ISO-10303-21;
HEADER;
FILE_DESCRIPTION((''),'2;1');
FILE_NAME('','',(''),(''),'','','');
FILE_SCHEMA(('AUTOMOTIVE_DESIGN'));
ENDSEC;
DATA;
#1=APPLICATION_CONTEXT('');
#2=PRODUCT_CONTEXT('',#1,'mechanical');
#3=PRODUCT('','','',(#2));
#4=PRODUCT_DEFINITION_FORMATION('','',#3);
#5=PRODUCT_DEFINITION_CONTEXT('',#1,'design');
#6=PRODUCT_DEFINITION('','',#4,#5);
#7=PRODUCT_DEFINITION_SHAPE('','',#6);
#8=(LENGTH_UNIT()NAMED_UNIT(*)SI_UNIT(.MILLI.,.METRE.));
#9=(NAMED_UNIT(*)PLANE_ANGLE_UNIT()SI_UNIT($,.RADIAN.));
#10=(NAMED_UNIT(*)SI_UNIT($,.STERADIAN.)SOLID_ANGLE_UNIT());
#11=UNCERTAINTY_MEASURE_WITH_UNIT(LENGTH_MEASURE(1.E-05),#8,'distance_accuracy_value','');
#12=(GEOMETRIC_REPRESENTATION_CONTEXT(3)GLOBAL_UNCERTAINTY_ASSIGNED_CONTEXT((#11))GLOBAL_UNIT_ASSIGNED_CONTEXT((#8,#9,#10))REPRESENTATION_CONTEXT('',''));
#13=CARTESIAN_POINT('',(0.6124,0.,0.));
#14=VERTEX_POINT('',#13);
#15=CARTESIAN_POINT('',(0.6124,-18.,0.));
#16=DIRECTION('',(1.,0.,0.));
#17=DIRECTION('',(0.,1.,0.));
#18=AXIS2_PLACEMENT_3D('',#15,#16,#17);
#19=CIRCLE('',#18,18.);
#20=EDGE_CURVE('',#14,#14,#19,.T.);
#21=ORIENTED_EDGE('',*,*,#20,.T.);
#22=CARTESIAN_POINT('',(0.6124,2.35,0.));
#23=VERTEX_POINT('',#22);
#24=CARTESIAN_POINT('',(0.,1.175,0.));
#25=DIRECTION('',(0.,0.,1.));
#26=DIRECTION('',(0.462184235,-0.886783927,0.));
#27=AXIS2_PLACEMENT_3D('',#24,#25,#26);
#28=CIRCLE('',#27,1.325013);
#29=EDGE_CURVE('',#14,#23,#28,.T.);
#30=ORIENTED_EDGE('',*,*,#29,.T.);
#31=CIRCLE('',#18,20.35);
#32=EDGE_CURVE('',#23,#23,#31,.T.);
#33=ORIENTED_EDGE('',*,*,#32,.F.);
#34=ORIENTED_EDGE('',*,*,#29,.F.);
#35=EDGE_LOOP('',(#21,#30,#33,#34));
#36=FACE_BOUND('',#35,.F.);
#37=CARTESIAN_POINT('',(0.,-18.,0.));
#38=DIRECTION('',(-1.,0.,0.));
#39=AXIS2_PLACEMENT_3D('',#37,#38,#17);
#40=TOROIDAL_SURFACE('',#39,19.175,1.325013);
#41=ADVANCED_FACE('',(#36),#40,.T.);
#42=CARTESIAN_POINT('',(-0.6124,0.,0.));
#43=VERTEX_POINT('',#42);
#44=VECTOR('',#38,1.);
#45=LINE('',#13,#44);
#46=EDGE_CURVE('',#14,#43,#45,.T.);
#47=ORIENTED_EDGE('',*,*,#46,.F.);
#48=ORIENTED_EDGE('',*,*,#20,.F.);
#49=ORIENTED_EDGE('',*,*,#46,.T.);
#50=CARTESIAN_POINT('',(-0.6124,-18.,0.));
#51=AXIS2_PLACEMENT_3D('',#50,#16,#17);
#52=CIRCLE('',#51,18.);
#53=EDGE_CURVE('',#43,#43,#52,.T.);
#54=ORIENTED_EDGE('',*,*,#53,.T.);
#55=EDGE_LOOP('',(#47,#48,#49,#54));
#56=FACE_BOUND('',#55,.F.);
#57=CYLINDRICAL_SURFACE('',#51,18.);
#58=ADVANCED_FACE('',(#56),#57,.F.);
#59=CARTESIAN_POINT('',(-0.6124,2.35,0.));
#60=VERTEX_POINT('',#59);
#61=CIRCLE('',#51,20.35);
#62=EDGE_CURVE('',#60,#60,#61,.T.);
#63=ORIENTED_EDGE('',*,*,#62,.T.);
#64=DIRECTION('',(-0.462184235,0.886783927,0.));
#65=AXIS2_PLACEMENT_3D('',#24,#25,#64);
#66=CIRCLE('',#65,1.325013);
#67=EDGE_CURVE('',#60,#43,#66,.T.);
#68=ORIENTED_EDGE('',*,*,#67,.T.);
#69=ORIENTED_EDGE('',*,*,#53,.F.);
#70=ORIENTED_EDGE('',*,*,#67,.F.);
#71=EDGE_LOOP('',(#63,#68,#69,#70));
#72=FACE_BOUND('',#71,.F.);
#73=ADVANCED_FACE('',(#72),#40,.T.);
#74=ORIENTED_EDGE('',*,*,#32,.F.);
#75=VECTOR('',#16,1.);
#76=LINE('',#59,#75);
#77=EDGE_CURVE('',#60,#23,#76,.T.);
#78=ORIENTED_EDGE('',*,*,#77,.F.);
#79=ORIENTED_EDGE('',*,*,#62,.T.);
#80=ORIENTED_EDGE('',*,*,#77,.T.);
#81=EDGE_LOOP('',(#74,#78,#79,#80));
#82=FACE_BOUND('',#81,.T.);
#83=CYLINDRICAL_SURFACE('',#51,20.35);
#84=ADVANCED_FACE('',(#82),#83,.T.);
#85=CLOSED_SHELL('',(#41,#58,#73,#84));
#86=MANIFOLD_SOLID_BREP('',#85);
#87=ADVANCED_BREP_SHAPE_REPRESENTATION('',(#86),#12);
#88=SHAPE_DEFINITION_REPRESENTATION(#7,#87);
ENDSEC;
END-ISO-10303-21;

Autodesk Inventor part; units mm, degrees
ref_plane "YZ Plane" through (0, 0, 0) normal (1, 0, 0) x (0, 1, 0)
ref_plane "XZ Plane" through (0, 0, 0) normal (0, 1, 0) x (-1, 0, 0)
ref_plane "XY Plane" through (0, 0, 0) normal (0, 0, 1) x (1, 0, 0)
sketch "草图1" plane through (0, 0, 0) normal (0, 0, 1) x (1, 0, 0)
  line L0 (-0.0113, 0) -> (-0.0113, 0) construction
  line L1 (-0.6124, 2.35) -> (0.6124, 2.35)
  line L2 (-0.6124, 0) -> (0.6124, 0)
  arc A0 (-0.6124, 2.35) -> (-0.6124, 0) centre (0, 1.175) ccw
  line L3 (-4, -18) -> (6.0335, -18)
  line L4 (-6.0067, 0) -> (8.0403, 0) projected
  line L5 (0, 4.64) -> (0, -12.44) projected
  arc A1 (0.6124, 0) -> (0.6124, 2.35) centre (0, 1.175) ccw
  dimension "d0" = 36
  dimension "d1" = 1.175
  dimension "d2" = 1.325
  dimension "d3" = 1.175
  dimension "d4" = 2.35
revolve "轴承体" add sketch "草图1" angle 360 about axis through (-4, -18, 0) along (1, 0, 0)
equation "\"d0\" = NND"
equation "\"d1\" = -0.25 * NND + 0.25 * NDOR"
equation "\"d2\" = 0.5 * QDM"
equation "\"d3\" = -0.25 * NND + 0.25 * NDOR"
equation "\"d4\" = -0.5 * NND + 0.5 * NDOR"
equation "\"QDM\" = 2.65"
equation "\"NND\" = 36"
equation "\"NDOR\" = 40.7"
equation "\"R1\" = 0.3"
equation "\"R2\" = 0.2"
equation "\"SD1\" = 37.5"
equation "\"NB1\" = 3.4"
equation "\"BD\" = 36.14"
equation "\"NTOR\" = -0.5 * NND + 0.5 * NDOR"
properties part number "O 形密封圈  P- 37.5 x 2.65-G-GB/T 3452.1-2005" material "橡胶"
